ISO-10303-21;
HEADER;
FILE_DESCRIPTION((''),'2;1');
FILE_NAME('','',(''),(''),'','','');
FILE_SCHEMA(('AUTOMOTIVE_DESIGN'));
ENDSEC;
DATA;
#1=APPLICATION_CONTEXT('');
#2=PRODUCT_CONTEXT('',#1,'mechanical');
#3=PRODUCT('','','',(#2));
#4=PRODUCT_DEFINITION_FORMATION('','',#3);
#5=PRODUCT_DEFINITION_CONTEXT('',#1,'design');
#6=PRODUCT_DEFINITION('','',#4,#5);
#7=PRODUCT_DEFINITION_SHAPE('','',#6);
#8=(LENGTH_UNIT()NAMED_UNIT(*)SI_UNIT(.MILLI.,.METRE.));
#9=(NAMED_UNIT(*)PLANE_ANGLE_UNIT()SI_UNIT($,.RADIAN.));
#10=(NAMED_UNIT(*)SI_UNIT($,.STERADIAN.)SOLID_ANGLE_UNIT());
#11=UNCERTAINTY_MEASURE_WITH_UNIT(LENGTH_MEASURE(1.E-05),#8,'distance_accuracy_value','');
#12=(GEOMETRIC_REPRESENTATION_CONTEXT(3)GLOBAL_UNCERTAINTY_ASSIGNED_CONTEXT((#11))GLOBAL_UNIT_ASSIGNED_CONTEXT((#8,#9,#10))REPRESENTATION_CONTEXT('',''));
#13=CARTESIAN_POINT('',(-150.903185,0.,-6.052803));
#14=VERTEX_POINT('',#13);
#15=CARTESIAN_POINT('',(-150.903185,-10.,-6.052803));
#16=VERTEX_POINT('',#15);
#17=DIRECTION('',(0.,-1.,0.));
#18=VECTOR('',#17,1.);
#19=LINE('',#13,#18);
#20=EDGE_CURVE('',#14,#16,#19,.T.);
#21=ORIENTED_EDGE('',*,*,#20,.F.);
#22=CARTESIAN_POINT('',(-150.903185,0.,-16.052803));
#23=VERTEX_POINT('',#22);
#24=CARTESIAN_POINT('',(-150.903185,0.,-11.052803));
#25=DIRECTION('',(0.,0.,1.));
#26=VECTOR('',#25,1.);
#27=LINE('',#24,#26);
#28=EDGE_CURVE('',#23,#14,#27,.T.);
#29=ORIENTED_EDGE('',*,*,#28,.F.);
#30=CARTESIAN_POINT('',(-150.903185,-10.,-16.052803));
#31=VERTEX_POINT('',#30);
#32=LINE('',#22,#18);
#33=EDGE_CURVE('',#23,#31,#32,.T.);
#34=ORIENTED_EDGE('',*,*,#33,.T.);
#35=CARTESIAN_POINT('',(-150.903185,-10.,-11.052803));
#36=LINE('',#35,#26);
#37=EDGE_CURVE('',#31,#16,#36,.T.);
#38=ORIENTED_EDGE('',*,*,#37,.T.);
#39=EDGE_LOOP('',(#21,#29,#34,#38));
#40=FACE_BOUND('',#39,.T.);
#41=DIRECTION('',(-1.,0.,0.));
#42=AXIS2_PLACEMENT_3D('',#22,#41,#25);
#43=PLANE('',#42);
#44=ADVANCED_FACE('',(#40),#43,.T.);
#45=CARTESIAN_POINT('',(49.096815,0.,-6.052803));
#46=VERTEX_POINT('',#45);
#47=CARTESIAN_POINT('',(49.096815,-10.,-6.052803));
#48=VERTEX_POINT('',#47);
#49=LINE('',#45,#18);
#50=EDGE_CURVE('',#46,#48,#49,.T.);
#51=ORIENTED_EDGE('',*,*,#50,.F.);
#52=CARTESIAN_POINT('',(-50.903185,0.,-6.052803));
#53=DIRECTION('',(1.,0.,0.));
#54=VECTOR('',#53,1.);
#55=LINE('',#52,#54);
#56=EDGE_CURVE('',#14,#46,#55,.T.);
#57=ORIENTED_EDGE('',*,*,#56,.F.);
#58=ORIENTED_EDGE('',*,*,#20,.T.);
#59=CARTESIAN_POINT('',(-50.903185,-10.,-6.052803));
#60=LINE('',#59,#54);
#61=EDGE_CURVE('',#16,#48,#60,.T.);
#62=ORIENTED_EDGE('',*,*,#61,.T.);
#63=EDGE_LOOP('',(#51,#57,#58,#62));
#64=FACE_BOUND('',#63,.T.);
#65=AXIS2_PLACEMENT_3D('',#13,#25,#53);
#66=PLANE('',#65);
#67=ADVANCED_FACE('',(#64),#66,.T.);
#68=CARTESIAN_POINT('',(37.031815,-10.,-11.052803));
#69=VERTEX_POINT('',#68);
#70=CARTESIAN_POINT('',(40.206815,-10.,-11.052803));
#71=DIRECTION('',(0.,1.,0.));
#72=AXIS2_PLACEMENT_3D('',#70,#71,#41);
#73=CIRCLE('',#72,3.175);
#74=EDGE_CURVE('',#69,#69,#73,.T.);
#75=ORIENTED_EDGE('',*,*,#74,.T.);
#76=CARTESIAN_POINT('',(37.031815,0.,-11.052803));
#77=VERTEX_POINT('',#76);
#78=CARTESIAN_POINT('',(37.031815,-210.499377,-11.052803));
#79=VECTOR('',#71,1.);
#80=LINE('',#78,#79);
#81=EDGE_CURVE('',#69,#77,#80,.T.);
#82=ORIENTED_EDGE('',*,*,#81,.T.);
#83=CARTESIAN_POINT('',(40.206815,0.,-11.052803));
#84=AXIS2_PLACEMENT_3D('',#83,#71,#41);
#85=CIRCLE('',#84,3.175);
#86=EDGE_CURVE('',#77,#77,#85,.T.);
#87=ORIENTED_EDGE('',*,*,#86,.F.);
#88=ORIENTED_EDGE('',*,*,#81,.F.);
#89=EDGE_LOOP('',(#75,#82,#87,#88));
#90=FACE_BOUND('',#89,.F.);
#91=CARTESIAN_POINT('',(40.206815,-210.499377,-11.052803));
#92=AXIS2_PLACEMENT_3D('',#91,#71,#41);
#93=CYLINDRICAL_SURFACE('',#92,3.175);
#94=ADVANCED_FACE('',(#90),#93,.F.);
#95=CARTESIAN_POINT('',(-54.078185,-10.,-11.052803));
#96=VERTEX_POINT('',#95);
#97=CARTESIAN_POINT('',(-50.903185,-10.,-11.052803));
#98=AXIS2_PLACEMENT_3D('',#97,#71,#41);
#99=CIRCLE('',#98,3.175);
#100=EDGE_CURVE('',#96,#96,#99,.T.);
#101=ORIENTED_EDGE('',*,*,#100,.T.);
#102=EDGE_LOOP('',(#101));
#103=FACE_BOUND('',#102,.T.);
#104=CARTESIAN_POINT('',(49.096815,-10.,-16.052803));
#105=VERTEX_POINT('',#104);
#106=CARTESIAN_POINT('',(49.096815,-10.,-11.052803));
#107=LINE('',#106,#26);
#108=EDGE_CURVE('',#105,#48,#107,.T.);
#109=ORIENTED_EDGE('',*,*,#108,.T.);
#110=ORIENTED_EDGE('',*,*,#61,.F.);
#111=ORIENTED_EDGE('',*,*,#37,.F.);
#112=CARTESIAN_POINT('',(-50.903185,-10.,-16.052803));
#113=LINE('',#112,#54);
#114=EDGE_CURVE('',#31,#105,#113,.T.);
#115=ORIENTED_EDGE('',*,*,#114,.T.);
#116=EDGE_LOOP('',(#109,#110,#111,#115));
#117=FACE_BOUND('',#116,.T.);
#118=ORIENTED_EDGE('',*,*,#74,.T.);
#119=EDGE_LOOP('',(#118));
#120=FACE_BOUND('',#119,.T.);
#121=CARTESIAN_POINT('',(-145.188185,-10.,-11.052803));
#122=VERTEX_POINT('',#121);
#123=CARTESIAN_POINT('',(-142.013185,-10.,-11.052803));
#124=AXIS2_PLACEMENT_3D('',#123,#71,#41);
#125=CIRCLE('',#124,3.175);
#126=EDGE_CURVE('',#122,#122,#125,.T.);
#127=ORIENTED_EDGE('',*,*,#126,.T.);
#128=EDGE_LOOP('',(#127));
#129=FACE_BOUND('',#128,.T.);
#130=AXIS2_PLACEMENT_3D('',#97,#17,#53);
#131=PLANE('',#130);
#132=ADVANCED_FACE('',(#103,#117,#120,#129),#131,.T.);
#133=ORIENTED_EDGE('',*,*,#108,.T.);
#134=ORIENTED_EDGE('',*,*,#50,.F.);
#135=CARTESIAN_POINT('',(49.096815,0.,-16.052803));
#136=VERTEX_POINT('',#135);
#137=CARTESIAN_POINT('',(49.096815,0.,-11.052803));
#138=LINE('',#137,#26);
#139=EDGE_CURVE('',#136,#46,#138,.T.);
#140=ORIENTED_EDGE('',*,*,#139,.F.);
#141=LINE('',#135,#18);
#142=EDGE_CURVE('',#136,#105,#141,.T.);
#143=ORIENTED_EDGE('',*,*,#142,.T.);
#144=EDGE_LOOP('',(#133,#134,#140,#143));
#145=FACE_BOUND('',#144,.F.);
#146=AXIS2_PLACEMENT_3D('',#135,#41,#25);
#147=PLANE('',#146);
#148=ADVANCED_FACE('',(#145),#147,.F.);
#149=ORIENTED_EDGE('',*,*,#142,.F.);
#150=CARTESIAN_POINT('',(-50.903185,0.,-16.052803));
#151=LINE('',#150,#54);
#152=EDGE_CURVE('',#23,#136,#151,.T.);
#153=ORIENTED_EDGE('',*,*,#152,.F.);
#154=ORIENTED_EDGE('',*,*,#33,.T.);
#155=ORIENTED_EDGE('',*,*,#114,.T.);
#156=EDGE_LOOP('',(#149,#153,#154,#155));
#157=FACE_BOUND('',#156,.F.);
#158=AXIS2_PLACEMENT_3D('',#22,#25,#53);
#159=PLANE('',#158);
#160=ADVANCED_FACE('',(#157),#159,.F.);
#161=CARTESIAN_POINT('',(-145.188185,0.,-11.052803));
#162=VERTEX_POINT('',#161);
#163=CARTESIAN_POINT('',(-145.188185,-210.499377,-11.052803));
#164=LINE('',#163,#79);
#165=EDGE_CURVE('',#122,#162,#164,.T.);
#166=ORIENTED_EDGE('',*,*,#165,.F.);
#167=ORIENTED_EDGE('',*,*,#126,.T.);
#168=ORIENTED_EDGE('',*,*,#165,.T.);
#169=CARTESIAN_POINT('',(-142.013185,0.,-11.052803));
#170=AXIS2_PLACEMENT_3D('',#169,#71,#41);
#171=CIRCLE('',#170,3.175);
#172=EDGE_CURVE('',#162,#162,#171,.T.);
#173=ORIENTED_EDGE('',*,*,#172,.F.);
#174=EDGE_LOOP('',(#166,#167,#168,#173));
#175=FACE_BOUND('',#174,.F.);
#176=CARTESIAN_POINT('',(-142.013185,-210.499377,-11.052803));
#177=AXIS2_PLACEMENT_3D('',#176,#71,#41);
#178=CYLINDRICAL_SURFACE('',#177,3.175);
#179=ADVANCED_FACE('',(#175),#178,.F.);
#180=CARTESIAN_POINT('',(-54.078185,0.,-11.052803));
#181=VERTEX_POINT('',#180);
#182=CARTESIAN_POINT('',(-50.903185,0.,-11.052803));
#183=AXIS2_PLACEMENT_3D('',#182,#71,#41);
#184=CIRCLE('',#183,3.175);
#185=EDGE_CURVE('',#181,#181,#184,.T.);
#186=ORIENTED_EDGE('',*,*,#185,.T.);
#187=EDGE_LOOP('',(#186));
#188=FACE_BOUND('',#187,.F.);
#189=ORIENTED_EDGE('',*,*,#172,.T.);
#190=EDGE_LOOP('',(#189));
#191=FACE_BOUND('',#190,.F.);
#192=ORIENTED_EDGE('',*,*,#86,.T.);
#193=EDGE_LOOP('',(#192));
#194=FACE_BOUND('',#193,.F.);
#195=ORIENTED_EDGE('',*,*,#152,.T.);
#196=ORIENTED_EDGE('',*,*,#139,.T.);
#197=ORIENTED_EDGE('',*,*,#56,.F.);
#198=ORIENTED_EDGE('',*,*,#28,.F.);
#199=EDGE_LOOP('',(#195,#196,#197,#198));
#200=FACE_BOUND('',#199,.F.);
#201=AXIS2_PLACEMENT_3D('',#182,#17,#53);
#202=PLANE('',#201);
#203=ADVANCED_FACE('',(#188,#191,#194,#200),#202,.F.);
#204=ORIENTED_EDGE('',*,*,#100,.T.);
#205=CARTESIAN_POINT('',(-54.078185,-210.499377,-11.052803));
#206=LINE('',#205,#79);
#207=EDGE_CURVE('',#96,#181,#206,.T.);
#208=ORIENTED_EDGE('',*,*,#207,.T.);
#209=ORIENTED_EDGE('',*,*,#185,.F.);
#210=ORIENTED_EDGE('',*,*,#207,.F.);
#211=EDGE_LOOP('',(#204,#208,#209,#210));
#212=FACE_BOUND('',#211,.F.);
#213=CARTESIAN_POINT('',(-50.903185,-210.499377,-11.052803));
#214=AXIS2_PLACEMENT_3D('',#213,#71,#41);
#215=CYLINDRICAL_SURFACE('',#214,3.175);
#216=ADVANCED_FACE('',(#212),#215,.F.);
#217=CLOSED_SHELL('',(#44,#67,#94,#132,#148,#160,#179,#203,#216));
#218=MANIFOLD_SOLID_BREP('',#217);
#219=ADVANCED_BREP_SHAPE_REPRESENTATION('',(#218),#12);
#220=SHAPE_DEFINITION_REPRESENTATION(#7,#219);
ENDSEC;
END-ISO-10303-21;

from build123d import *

# Parameters (mm, degrees)
F0_W     = 200
F0_H     = 10
F1_DEPTH = 10
F3_D     = 6.35
F5_D     = 6.35
F7_D     = 6.35


with BuildPart() as f1:
    # F0 (on Front) → F1 (new body)
    with BuildSketch(Plane.XZ):
        with Locations((-50.903185, -11.052803)):
            Rectangle(F0_W, F0_H)
    extrude(amount=F1_DEPTH)

    # F3 (through all)
    with Locations(Plane.XZ.offset(10)):
        with Locations((-142.013185, -11.052803)):
            Hole(F3_D / 2)

    # F5 (through all)
    with Locations(Plane.XZ.offset(10)):
        with Locations((40.206815, -11.052803)):
            Hole(F5_D / 2)

    # F7 (through all)
    with Locations(Plane.XZ.offset(10)):
        with Locations((-50.903185, -11.052803)):
            Hole(F7_D / 2)


solid = f1.part
